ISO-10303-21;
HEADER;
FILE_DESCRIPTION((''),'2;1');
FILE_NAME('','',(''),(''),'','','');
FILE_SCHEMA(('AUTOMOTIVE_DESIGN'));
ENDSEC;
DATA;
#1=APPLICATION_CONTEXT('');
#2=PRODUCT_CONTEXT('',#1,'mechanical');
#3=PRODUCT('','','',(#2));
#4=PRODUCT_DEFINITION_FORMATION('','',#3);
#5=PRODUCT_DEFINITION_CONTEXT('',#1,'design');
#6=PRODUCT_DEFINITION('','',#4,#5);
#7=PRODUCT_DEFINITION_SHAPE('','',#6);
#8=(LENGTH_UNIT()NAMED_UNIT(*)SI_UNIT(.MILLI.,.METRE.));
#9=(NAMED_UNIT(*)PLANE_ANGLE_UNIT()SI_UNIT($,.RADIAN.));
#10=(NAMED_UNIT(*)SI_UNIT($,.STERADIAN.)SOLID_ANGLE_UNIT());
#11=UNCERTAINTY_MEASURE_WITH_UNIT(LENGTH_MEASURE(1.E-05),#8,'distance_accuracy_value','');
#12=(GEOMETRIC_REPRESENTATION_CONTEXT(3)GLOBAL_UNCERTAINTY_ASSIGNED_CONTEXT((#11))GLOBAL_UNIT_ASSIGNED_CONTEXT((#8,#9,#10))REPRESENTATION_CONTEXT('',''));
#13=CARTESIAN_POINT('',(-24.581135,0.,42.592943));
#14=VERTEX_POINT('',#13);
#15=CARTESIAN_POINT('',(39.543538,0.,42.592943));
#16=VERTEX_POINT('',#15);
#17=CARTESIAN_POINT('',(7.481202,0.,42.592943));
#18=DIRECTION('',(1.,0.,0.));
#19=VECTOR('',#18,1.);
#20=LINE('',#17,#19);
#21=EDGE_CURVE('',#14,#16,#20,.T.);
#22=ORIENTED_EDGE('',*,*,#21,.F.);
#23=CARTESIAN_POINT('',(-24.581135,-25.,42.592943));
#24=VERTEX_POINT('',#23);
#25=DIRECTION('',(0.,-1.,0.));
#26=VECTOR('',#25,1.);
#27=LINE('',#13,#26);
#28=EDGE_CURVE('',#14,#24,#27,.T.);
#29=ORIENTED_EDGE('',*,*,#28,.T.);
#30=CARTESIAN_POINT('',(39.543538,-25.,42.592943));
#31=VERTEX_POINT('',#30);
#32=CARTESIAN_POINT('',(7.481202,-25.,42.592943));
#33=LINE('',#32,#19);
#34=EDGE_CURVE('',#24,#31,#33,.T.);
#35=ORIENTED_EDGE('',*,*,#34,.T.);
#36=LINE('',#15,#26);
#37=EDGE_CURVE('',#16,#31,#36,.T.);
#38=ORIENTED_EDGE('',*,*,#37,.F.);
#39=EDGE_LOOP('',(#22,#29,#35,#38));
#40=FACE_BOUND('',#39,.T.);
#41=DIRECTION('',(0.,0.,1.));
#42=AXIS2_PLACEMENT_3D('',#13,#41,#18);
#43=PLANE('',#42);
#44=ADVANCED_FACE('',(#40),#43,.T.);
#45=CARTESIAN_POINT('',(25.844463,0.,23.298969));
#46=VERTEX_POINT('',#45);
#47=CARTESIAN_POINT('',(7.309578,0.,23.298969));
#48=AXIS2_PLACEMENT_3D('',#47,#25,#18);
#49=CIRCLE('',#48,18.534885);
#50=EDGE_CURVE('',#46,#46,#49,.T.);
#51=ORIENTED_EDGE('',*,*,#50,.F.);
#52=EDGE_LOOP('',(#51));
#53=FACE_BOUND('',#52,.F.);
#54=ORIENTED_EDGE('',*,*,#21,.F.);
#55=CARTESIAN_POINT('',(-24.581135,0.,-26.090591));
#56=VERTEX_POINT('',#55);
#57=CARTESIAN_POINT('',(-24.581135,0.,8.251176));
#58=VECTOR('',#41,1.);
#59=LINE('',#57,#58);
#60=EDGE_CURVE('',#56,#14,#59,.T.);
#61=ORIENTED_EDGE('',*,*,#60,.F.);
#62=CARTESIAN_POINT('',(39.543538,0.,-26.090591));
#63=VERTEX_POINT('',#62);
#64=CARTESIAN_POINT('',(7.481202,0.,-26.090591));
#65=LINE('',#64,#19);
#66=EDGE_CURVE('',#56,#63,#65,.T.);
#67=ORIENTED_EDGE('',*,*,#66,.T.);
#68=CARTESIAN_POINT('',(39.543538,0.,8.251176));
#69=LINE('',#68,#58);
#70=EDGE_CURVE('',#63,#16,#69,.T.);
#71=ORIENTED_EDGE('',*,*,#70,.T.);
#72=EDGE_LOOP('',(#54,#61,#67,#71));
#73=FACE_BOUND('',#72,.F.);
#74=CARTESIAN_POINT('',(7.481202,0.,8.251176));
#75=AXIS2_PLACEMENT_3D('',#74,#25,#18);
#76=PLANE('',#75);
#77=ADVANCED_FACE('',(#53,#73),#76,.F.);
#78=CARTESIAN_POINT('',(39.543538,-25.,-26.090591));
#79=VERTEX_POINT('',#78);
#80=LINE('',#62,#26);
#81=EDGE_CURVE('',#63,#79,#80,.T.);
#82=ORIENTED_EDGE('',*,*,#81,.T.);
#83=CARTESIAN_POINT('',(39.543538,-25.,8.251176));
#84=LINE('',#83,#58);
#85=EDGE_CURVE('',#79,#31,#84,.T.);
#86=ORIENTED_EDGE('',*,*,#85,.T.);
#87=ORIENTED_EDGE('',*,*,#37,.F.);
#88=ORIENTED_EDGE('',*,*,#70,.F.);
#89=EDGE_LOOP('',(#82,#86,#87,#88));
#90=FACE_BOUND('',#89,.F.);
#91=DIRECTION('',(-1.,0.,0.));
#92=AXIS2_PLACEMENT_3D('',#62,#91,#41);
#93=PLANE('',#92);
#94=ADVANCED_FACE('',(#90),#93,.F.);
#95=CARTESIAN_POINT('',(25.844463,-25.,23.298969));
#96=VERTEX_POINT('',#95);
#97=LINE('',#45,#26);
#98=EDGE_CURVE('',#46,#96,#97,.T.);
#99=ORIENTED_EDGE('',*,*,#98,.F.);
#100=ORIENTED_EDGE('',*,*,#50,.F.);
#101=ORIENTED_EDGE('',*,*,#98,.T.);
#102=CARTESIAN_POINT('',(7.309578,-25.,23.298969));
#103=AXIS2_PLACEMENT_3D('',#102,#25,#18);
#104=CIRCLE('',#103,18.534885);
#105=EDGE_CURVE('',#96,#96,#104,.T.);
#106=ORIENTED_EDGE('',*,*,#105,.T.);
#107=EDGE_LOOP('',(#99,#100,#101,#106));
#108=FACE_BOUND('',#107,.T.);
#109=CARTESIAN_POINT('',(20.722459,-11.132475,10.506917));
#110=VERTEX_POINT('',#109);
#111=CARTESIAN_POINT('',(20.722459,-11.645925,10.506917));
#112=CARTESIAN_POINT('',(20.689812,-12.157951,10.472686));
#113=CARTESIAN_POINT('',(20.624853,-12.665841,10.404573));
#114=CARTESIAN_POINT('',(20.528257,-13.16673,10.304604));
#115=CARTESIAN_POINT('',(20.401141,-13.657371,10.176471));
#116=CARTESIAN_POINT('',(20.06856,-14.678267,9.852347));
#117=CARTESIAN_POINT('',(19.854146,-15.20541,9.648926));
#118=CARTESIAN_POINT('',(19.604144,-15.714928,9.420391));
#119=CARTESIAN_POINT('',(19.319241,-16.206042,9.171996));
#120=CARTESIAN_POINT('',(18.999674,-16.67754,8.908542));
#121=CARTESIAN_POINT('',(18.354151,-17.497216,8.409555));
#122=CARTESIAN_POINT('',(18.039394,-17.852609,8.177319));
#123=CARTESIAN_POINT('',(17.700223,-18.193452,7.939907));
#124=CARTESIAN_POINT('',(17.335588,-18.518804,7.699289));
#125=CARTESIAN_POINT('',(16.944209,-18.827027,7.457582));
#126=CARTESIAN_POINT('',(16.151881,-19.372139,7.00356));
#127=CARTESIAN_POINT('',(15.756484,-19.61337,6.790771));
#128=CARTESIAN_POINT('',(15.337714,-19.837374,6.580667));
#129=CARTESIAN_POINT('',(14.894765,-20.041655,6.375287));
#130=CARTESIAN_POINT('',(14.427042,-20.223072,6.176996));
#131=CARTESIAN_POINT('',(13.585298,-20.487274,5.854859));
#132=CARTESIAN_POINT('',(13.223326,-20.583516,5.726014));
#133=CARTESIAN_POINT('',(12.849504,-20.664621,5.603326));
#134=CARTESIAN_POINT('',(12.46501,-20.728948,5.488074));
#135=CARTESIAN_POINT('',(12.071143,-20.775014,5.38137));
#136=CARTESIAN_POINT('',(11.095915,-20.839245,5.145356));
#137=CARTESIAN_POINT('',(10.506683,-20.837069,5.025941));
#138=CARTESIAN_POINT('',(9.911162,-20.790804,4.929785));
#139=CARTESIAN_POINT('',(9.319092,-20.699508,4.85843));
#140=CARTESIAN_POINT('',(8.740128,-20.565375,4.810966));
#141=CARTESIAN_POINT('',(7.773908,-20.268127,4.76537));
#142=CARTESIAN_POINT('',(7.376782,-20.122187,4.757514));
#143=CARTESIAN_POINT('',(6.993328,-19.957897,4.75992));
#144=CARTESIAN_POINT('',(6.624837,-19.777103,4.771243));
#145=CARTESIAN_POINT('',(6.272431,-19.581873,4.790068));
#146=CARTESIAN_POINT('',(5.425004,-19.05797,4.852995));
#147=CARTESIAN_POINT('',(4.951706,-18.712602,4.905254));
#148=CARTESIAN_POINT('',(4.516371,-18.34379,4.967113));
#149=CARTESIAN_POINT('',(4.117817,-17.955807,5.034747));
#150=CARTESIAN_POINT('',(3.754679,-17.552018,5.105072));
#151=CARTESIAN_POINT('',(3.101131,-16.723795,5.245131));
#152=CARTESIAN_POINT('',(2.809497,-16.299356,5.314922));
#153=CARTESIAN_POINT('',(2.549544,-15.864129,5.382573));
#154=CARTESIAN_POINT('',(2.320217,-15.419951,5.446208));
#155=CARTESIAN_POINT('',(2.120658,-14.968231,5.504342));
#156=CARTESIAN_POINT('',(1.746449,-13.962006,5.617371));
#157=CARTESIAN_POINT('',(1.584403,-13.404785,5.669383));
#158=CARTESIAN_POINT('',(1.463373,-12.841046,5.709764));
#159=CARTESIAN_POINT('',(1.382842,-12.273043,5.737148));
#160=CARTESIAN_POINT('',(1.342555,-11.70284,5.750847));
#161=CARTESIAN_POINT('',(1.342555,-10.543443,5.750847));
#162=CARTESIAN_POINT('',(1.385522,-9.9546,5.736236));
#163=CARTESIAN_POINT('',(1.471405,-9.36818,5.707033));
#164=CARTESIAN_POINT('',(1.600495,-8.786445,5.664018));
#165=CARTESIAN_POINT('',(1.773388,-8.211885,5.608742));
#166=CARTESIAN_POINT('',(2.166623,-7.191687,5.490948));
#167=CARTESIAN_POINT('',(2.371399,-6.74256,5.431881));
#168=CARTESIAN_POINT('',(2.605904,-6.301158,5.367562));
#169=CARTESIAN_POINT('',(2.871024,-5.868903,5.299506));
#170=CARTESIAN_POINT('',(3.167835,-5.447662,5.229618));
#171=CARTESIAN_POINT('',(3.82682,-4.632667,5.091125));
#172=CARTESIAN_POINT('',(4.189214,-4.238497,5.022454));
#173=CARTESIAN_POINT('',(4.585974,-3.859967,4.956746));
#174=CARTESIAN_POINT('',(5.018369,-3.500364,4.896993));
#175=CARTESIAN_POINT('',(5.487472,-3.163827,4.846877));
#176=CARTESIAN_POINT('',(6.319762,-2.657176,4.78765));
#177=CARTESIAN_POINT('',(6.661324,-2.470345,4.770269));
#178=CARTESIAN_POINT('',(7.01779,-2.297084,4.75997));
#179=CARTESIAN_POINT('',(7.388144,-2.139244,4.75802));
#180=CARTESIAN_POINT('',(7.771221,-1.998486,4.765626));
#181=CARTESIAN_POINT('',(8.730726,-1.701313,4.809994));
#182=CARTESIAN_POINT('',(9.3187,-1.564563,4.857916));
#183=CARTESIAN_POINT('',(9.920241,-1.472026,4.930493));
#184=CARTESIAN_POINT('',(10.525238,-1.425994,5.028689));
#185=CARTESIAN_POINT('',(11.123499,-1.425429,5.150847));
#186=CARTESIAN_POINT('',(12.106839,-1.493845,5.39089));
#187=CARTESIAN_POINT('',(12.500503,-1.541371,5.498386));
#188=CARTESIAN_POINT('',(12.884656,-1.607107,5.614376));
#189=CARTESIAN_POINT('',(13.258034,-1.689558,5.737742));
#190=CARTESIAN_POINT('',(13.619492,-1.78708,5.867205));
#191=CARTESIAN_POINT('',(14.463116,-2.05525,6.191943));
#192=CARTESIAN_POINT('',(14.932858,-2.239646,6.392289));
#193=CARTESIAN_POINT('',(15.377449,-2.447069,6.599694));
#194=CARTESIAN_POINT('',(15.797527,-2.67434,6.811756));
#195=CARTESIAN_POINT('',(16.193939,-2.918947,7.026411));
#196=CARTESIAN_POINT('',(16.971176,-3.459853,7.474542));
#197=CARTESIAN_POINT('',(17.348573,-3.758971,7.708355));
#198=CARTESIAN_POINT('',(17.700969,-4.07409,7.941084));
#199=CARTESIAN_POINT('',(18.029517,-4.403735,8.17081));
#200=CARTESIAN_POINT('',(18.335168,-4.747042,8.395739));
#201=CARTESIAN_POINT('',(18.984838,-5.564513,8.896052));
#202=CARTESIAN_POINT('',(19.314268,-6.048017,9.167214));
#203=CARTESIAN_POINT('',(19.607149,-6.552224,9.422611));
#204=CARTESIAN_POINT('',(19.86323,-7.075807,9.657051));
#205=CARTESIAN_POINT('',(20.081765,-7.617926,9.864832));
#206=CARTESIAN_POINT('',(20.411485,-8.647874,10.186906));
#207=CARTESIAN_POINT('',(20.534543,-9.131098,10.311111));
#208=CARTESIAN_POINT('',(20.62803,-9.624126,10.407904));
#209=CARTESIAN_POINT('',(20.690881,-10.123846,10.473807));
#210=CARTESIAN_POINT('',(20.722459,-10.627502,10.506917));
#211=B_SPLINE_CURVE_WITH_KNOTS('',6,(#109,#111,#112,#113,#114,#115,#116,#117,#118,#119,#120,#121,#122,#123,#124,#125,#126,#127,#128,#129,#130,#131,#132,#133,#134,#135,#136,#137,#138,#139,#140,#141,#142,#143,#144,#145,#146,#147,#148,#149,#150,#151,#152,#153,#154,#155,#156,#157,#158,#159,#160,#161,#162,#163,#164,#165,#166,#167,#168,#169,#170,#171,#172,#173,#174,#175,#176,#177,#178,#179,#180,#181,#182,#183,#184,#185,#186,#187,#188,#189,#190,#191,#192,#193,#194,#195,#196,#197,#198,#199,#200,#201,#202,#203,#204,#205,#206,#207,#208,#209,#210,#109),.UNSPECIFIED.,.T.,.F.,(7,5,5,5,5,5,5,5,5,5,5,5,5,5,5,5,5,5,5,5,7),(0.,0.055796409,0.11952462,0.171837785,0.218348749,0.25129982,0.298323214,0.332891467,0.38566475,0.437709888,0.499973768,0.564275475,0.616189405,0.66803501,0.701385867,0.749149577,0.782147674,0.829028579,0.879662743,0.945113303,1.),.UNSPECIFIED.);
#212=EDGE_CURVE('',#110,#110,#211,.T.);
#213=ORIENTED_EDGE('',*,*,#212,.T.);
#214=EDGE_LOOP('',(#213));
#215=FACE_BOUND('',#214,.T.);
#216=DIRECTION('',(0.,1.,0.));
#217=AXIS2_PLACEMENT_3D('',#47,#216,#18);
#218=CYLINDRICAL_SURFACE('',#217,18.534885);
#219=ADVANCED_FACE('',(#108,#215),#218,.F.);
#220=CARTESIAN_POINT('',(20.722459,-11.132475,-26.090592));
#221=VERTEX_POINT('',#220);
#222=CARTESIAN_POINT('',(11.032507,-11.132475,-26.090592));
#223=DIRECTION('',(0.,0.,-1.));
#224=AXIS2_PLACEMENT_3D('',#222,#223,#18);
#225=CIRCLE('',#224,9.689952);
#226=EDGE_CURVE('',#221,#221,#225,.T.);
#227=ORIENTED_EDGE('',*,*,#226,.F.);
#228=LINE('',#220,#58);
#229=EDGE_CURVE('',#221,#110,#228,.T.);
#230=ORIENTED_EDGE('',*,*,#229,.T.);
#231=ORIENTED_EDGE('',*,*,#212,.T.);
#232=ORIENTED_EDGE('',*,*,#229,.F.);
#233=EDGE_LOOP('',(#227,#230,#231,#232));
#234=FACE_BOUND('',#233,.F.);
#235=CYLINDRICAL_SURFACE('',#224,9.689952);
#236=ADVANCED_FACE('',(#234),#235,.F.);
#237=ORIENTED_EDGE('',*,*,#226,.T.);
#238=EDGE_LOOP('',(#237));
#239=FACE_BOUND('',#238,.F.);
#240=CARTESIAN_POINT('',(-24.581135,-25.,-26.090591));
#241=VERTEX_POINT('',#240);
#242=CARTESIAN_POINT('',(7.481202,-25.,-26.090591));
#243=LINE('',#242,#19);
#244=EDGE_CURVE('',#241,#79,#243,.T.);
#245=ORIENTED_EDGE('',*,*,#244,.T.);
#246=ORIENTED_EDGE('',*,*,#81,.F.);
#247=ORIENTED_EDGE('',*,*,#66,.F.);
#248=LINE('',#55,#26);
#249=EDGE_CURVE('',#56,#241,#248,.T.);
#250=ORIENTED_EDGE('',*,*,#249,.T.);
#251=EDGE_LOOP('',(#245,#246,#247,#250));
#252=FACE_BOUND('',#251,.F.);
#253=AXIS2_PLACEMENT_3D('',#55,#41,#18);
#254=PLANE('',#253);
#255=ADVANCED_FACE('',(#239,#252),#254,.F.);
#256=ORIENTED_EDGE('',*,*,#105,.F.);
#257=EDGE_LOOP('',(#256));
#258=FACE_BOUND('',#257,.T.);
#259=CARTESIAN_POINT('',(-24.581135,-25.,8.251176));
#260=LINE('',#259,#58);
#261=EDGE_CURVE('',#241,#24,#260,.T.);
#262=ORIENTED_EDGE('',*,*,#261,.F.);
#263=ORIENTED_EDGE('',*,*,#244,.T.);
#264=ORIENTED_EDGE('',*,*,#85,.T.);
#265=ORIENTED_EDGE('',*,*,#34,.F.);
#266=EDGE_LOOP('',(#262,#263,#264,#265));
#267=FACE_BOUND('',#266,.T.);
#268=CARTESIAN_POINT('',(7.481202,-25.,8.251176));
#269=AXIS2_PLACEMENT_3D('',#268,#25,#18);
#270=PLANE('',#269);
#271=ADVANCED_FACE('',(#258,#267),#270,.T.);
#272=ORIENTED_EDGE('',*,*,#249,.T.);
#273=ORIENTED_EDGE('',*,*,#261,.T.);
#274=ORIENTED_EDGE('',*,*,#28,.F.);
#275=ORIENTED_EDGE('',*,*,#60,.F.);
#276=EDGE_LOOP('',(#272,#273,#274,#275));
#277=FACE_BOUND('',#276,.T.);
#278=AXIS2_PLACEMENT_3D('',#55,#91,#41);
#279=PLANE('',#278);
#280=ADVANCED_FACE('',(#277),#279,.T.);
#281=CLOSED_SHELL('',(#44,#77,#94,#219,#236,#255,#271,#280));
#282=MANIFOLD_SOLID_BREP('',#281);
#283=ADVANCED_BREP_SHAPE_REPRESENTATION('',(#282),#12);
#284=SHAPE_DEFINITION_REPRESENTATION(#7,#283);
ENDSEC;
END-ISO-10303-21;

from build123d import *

# Parameters (mm, degrees)
F0_W     = 64.124673
F0_H     = 68.683535
F0_R     = 18.534885
F1_DEPTH = 25
F2_R     = 9.689952
F3_DEPTH = 40


with BuildPart() as f1:
    # F0 (on Front) → F1 (new body)
    with BuildSketch(Plane.XZ):
        with Locations((7.481202, 8.251176)):
            Rectangle(F0_W, F0_H)
        with Locations((7.309578, 23.298969)):
            Circle(F0_R, mode=Mode.SUBTRACT)
    extrude(amount=F1_DEPTH)

    # F2 (on face) → F3 (cut)
    with BuildSketch(Plane(origin=(0, 0, -26.090592), x_dir=(1, 0, 0), z_dir=(0, 0, -1))):
        with Locations((11.032507, 11.132475)):
            Circle(F2_R)
    extrude(amount=-F3_DEPTH, mode=Mode.SUBTRACT)


solid = f1.part
